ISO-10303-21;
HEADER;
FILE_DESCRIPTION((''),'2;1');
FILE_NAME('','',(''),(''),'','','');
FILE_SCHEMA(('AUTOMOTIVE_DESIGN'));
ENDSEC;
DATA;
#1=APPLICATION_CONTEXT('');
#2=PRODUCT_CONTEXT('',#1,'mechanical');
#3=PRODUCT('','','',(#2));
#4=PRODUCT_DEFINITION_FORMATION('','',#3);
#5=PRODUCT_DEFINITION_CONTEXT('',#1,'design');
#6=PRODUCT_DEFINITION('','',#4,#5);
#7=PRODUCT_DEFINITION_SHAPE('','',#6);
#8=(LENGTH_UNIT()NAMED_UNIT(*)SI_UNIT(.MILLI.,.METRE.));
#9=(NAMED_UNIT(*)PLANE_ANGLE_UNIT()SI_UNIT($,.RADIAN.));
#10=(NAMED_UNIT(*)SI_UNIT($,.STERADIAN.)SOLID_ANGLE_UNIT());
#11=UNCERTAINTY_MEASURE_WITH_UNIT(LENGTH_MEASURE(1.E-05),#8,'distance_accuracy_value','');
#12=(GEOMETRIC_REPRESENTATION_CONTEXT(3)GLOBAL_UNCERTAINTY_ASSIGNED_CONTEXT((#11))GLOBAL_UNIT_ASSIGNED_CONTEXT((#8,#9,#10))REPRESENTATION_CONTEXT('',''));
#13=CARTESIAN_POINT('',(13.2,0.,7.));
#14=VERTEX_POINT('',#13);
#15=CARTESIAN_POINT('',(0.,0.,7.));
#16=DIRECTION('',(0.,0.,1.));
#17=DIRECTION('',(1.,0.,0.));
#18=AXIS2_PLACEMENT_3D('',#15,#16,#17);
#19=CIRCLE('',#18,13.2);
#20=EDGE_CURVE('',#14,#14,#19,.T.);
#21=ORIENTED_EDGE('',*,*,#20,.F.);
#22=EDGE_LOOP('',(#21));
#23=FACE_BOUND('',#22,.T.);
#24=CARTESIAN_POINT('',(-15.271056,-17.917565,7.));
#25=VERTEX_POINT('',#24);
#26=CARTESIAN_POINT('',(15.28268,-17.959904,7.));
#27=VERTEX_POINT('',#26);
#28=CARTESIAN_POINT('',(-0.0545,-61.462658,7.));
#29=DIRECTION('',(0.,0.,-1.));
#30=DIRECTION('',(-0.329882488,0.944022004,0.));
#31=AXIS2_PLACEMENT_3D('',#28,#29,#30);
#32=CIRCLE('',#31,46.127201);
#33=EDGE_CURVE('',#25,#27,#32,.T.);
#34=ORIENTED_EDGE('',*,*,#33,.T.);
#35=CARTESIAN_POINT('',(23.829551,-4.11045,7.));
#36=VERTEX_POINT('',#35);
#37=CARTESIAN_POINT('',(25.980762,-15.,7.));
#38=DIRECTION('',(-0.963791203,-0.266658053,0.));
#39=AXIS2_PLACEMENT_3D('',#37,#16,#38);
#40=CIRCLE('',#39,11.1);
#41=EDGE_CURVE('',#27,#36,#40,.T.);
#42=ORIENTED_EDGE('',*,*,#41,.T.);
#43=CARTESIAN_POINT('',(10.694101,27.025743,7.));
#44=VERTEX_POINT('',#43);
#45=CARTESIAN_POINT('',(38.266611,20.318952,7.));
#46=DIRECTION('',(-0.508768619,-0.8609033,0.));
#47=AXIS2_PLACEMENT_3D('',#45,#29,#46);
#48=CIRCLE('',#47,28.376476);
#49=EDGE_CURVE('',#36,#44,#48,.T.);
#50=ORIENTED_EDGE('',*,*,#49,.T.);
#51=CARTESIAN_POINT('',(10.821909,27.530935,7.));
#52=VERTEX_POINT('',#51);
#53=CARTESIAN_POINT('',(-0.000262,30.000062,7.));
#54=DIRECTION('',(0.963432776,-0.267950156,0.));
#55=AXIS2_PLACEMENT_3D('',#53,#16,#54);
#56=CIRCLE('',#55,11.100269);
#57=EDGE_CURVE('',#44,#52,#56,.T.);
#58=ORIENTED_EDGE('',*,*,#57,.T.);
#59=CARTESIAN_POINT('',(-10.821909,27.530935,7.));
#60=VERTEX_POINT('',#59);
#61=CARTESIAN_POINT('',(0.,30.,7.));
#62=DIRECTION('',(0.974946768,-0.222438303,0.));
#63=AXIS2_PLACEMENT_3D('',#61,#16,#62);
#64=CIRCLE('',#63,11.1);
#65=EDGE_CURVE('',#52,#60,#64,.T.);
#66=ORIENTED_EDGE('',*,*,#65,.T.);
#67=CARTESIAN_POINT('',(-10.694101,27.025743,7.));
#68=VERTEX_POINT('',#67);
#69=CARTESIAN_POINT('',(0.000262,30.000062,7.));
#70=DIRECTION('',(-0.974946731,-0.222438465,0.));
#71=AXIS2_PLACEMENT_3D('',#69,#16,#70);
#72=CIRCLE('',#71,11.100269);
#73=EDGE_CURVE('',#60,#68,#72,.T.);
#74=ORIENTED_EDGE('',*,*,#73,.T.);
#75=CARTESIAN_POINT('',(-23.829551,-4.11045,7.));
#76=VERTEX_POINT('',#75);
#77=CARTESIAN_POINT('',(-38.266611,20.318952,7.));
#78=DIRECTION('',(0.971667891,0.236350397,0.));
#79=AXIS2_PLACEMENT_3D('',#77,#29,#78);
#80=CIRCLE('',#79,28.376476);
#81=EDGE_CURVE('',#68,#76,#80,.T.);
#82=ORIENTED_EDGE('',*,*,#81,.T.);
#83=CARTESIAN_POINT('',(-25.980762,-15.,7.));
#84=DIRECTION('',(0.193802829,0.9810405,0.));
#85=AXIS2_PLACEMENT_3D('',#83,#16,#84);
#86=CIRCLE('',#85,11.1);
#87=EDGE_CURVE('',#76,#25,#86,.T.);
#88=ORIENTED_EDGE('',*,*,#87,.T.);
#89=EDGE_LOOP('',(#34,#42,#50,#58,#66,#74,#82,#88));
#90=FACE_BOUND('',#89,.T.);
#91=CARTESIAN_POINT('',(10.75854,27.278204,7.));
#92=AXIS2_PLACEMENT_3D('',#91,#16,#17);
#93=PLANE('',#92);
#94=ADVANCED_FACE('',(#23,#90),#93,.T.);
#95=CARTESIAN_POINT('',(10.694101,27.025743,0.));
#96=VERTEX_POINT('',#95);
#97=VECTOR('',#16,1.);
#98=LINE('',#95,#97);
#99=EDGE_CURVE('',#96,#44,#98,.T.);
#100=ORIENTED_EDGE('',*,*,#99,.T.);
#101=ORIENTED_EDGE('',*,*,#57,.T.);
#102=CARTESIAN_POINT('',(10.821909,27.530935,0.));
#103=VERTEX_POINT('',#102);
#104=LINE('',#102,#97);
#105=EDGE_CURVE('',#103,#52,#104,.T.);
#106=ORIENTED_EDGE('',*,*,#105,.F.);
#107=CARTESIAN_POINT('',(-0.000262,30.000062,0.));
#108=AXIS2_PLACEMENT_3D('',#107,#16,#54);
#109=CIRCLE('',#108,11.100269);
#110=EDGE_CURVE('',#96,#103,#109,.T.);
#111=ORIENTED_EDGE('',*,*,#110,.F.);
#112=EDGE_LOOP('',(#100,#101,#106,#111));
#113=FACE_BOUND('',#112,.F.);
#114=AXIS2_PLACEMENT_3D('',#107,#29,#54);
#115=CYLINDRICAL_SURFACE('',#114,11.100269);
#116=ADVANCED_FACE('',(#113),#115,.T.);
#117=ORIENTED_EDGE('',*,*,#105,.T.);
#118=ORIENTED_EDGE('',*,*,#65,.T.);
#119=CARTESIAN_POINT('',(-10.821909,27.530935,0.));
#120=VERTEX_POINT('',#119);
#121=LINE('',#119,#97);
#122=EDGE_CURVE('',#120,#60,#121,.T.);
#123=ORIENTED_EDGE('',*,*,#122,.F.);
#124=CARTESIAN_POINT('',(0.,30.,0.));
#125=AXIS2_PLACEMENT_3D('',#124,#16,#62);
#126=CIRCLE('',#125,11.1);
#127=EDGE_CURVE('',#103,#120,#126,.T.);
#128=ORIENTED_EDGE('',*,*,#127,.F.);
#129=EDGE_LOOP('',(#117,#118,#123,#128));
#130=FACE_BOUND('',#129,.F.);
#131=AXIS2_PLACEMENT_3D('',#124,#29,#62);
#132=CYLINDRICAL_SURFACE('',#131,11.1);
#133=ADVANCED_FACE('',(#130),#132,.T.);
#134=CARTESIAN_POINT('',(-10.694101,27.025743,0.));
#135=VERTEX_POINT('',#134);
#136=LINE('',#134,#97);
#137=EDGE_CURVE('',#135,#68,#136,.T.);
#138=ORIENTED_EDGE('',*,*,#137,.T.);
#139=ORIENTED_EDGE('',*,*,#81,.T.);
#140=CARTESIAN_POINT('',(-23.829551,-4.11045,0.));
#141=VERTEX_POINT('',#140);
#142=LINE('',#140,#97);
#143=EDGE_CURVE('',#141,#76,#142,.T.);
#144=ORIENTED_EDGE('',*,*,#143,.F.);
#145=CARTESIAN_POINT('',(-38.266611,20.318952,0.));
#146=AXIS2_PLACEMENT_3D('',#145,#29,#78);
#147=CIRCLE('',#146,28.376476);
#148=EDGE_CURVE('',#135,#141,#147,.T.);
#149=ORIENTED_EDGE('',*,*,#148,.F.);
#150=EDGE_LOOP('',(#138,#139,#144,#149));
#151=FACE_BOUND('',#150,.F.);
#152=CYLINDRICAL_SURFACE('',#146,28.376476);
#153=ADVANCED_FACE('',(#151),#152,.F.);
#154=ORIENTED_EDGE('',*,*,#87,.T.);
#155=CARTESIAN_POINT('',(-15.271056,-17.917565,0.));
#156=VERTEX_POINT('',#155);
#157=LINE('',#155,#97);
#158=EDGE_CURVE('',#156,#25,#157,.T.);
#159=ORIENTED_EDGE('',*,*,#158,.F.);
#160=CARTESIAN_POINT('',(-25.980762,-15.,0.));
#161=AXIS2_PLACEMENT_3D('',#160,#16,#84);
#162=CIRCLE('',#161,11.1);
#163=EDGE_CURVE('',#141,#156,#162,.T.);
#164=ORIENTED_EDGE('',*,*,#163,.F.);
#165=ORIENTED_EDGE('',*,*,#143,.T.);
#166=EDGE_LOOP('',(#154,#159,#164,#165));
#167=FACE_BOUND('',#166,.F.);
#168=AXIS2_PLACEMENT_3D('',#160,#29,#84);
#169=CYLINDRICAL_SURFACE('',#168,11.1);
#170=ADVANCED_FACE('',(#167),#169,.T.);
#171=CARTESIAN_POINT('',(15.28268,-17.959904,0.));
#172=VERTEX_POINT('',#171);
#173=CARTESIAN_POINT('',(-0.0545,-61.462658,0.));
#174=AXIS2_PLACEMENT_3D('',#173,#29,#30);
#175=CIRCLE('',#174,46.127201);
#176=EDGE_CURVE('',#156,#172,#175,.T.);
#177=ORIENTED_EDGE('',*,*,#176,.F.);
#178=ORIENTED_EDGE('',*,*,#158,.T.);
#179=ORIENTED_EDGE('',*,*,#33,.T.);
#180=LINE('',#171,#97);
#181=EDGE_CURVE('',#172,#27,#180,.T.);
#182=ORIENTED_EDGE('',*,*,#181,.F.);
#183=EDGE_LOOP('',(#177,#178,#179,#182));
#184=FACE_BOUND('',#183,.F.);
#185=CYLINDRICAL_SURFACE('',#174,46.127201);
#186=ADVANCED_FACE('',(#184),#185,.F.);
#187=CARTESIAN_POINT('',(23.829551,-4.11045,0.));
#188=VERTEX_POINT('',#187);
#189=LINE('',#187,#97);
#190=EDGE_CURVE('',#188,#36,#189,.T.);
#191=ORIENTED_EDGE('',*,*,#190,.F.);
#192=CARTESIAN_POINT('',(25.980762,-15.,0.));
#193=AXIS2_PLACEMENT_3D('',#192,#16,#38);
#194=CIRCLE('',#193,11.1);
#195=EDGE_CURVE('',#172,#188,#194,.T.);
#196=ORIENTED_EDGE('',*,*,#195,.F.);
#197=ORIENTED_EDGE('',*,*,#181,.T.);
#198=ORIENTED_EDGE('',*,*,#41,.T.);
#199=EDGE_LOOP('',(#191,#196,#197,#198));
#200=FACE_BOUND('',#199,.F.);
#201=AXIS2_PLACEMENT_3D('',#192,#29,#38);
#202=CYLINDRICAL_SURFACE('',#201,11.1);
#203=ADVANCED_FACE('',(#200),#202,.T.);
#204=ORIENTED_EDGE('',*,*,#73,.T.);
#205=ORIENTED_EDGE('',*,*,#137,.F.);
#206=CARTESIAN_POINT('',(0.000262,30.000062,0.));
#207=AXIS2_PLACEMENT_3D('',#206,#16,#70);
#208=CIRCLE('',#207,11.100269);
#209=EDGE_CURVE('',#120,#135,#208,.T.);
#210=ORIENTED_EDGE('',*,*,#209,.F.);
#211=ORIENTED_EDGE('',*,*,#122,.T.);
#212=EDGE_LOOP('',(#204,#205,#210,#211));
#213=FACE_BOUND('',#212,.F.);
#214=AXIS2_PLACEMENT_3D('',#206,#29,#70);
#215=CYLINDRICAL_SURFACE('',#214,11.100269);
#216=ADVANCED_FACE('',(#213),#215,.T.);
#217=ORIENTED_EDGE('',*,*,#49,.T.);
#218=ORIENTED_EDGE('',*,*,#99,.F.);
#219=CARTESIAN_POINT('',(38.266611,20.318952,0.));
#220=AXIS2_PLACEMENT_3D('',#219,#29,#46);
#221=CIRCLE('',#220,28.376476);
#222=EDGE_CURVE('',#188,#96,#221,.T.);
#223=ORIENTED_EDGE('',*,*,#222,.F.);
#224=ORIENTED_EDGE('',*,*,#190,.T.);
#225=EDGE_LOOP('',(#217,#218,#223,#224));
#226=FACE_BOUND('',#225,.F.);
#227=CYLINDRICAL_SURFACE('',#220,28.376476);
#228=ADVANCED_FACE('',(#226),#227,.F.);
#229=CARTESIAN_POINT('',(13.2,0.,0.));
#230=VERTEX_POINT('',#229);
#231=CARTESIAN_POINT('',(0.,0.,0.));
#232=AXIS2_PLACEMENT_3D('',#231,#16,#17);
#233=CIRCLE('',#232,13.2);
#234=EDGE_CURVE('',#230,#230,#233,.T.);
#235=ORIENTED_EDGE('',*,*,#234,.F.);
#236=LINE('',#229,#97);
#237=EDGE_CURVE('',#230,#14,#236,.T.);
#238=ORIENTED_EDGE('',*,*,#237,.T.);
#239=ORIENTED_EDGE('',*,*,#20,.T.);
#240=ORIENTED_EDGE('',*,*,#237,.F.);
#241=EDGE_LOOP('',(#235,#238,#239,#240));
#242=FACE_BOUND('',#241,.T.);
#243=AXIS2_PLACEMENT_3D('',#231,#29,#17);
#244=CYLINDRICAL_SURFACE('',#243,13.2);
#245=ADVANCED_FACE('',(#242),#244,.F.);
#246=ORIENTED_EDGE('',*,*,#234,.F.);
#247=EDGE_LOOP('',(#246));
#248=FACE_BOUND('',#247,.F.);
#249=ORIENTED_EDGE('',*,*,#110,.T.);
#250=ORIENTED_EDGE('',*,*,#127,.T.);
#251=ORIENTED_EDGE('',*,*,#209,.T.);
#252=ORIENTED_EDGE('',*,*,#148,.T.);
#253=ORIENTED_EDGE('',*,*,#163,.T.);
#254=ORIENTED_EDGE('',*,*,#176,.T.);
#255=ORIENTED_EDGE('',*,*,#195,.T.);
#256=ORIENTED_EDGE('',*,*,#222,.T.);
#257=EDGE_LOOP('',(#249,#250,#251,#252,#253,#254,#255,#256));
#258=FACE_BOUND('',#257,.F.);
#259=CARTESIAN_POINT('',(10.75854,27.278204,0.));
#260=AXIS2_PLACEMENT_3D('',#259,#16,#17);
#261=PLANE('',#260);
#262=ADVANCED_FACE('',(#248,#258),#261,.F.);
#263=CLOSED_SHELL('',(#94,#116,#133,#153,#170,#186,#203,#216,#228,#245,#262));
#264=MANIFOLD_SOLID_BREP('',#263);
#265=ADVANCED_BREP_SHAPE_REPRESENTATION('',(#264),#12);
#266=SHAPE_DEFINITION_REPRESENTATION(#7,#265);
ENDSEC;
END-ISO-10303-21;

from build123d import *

# Parameters (mm, degrees)
F1_R     = 13.2
F2_DEPTH = 7


with BuildPart() as f2:
    # F1 (on Top) → F2 (new body)
    with BuildSketch(Plane.XY):
        with BuildLine():
            ThreePointArc((10.821909, 27.530935), (10.756845, 27.278632), (10.694101, 27.025743))
            ThreePointArc((10.694101, 27.025743), (10.76097, 27.277589), (10.821909, 27.530935))
        make_face()
        with BuildLine():
            ThreePointArc((23.829551, -4.11045), (12.121504, 9.289095), (10.694101, 27.025743))
            ThreePointArc((10.694101, 27.025743), (10.756845, 27.278632), (10.821909, 27.530935))
            ThreePointArc((10.821909, 27.530935), (0, 41.1), (-10.821909, 27.530935))
            ThreePointArc((-10.821909, 27.530935), (-10.756845, 27.278632), (-10.694101, 27.025743))
            ThreePointArc((-10.694101, 27.025743), (-12.121504, 9.289095), (-23.829551, -4.11045))
            ThreePointArc((-23.829551, -4.11045), (-35.415268, -20.848085), (-15.271056, -17.917565))
            ThreePointArc((-15.271056, -17.917565), (0.00942, -15.335501), (15.28268, -17.959904))
            ThreePointArc((15.28268, -17.959904), (35.426816, -20.829414), (23.829551, -4.11045))
        make_face()
        Circle(F1_R, mode=Mode.SUBTRACT)
        with BuildLine():
            ThreePointArc((-10.694101, 27.025743), (-10.756845, 27.278632), (-10.821909, 27.530935))
            ThreePointArc((-10.821909, 27.530935), (-10.76097, 27.277589), (-10.694101, 27.025743))
        make_face()
    extrude(amount=F2_DEPTH)


solid = f2.part
